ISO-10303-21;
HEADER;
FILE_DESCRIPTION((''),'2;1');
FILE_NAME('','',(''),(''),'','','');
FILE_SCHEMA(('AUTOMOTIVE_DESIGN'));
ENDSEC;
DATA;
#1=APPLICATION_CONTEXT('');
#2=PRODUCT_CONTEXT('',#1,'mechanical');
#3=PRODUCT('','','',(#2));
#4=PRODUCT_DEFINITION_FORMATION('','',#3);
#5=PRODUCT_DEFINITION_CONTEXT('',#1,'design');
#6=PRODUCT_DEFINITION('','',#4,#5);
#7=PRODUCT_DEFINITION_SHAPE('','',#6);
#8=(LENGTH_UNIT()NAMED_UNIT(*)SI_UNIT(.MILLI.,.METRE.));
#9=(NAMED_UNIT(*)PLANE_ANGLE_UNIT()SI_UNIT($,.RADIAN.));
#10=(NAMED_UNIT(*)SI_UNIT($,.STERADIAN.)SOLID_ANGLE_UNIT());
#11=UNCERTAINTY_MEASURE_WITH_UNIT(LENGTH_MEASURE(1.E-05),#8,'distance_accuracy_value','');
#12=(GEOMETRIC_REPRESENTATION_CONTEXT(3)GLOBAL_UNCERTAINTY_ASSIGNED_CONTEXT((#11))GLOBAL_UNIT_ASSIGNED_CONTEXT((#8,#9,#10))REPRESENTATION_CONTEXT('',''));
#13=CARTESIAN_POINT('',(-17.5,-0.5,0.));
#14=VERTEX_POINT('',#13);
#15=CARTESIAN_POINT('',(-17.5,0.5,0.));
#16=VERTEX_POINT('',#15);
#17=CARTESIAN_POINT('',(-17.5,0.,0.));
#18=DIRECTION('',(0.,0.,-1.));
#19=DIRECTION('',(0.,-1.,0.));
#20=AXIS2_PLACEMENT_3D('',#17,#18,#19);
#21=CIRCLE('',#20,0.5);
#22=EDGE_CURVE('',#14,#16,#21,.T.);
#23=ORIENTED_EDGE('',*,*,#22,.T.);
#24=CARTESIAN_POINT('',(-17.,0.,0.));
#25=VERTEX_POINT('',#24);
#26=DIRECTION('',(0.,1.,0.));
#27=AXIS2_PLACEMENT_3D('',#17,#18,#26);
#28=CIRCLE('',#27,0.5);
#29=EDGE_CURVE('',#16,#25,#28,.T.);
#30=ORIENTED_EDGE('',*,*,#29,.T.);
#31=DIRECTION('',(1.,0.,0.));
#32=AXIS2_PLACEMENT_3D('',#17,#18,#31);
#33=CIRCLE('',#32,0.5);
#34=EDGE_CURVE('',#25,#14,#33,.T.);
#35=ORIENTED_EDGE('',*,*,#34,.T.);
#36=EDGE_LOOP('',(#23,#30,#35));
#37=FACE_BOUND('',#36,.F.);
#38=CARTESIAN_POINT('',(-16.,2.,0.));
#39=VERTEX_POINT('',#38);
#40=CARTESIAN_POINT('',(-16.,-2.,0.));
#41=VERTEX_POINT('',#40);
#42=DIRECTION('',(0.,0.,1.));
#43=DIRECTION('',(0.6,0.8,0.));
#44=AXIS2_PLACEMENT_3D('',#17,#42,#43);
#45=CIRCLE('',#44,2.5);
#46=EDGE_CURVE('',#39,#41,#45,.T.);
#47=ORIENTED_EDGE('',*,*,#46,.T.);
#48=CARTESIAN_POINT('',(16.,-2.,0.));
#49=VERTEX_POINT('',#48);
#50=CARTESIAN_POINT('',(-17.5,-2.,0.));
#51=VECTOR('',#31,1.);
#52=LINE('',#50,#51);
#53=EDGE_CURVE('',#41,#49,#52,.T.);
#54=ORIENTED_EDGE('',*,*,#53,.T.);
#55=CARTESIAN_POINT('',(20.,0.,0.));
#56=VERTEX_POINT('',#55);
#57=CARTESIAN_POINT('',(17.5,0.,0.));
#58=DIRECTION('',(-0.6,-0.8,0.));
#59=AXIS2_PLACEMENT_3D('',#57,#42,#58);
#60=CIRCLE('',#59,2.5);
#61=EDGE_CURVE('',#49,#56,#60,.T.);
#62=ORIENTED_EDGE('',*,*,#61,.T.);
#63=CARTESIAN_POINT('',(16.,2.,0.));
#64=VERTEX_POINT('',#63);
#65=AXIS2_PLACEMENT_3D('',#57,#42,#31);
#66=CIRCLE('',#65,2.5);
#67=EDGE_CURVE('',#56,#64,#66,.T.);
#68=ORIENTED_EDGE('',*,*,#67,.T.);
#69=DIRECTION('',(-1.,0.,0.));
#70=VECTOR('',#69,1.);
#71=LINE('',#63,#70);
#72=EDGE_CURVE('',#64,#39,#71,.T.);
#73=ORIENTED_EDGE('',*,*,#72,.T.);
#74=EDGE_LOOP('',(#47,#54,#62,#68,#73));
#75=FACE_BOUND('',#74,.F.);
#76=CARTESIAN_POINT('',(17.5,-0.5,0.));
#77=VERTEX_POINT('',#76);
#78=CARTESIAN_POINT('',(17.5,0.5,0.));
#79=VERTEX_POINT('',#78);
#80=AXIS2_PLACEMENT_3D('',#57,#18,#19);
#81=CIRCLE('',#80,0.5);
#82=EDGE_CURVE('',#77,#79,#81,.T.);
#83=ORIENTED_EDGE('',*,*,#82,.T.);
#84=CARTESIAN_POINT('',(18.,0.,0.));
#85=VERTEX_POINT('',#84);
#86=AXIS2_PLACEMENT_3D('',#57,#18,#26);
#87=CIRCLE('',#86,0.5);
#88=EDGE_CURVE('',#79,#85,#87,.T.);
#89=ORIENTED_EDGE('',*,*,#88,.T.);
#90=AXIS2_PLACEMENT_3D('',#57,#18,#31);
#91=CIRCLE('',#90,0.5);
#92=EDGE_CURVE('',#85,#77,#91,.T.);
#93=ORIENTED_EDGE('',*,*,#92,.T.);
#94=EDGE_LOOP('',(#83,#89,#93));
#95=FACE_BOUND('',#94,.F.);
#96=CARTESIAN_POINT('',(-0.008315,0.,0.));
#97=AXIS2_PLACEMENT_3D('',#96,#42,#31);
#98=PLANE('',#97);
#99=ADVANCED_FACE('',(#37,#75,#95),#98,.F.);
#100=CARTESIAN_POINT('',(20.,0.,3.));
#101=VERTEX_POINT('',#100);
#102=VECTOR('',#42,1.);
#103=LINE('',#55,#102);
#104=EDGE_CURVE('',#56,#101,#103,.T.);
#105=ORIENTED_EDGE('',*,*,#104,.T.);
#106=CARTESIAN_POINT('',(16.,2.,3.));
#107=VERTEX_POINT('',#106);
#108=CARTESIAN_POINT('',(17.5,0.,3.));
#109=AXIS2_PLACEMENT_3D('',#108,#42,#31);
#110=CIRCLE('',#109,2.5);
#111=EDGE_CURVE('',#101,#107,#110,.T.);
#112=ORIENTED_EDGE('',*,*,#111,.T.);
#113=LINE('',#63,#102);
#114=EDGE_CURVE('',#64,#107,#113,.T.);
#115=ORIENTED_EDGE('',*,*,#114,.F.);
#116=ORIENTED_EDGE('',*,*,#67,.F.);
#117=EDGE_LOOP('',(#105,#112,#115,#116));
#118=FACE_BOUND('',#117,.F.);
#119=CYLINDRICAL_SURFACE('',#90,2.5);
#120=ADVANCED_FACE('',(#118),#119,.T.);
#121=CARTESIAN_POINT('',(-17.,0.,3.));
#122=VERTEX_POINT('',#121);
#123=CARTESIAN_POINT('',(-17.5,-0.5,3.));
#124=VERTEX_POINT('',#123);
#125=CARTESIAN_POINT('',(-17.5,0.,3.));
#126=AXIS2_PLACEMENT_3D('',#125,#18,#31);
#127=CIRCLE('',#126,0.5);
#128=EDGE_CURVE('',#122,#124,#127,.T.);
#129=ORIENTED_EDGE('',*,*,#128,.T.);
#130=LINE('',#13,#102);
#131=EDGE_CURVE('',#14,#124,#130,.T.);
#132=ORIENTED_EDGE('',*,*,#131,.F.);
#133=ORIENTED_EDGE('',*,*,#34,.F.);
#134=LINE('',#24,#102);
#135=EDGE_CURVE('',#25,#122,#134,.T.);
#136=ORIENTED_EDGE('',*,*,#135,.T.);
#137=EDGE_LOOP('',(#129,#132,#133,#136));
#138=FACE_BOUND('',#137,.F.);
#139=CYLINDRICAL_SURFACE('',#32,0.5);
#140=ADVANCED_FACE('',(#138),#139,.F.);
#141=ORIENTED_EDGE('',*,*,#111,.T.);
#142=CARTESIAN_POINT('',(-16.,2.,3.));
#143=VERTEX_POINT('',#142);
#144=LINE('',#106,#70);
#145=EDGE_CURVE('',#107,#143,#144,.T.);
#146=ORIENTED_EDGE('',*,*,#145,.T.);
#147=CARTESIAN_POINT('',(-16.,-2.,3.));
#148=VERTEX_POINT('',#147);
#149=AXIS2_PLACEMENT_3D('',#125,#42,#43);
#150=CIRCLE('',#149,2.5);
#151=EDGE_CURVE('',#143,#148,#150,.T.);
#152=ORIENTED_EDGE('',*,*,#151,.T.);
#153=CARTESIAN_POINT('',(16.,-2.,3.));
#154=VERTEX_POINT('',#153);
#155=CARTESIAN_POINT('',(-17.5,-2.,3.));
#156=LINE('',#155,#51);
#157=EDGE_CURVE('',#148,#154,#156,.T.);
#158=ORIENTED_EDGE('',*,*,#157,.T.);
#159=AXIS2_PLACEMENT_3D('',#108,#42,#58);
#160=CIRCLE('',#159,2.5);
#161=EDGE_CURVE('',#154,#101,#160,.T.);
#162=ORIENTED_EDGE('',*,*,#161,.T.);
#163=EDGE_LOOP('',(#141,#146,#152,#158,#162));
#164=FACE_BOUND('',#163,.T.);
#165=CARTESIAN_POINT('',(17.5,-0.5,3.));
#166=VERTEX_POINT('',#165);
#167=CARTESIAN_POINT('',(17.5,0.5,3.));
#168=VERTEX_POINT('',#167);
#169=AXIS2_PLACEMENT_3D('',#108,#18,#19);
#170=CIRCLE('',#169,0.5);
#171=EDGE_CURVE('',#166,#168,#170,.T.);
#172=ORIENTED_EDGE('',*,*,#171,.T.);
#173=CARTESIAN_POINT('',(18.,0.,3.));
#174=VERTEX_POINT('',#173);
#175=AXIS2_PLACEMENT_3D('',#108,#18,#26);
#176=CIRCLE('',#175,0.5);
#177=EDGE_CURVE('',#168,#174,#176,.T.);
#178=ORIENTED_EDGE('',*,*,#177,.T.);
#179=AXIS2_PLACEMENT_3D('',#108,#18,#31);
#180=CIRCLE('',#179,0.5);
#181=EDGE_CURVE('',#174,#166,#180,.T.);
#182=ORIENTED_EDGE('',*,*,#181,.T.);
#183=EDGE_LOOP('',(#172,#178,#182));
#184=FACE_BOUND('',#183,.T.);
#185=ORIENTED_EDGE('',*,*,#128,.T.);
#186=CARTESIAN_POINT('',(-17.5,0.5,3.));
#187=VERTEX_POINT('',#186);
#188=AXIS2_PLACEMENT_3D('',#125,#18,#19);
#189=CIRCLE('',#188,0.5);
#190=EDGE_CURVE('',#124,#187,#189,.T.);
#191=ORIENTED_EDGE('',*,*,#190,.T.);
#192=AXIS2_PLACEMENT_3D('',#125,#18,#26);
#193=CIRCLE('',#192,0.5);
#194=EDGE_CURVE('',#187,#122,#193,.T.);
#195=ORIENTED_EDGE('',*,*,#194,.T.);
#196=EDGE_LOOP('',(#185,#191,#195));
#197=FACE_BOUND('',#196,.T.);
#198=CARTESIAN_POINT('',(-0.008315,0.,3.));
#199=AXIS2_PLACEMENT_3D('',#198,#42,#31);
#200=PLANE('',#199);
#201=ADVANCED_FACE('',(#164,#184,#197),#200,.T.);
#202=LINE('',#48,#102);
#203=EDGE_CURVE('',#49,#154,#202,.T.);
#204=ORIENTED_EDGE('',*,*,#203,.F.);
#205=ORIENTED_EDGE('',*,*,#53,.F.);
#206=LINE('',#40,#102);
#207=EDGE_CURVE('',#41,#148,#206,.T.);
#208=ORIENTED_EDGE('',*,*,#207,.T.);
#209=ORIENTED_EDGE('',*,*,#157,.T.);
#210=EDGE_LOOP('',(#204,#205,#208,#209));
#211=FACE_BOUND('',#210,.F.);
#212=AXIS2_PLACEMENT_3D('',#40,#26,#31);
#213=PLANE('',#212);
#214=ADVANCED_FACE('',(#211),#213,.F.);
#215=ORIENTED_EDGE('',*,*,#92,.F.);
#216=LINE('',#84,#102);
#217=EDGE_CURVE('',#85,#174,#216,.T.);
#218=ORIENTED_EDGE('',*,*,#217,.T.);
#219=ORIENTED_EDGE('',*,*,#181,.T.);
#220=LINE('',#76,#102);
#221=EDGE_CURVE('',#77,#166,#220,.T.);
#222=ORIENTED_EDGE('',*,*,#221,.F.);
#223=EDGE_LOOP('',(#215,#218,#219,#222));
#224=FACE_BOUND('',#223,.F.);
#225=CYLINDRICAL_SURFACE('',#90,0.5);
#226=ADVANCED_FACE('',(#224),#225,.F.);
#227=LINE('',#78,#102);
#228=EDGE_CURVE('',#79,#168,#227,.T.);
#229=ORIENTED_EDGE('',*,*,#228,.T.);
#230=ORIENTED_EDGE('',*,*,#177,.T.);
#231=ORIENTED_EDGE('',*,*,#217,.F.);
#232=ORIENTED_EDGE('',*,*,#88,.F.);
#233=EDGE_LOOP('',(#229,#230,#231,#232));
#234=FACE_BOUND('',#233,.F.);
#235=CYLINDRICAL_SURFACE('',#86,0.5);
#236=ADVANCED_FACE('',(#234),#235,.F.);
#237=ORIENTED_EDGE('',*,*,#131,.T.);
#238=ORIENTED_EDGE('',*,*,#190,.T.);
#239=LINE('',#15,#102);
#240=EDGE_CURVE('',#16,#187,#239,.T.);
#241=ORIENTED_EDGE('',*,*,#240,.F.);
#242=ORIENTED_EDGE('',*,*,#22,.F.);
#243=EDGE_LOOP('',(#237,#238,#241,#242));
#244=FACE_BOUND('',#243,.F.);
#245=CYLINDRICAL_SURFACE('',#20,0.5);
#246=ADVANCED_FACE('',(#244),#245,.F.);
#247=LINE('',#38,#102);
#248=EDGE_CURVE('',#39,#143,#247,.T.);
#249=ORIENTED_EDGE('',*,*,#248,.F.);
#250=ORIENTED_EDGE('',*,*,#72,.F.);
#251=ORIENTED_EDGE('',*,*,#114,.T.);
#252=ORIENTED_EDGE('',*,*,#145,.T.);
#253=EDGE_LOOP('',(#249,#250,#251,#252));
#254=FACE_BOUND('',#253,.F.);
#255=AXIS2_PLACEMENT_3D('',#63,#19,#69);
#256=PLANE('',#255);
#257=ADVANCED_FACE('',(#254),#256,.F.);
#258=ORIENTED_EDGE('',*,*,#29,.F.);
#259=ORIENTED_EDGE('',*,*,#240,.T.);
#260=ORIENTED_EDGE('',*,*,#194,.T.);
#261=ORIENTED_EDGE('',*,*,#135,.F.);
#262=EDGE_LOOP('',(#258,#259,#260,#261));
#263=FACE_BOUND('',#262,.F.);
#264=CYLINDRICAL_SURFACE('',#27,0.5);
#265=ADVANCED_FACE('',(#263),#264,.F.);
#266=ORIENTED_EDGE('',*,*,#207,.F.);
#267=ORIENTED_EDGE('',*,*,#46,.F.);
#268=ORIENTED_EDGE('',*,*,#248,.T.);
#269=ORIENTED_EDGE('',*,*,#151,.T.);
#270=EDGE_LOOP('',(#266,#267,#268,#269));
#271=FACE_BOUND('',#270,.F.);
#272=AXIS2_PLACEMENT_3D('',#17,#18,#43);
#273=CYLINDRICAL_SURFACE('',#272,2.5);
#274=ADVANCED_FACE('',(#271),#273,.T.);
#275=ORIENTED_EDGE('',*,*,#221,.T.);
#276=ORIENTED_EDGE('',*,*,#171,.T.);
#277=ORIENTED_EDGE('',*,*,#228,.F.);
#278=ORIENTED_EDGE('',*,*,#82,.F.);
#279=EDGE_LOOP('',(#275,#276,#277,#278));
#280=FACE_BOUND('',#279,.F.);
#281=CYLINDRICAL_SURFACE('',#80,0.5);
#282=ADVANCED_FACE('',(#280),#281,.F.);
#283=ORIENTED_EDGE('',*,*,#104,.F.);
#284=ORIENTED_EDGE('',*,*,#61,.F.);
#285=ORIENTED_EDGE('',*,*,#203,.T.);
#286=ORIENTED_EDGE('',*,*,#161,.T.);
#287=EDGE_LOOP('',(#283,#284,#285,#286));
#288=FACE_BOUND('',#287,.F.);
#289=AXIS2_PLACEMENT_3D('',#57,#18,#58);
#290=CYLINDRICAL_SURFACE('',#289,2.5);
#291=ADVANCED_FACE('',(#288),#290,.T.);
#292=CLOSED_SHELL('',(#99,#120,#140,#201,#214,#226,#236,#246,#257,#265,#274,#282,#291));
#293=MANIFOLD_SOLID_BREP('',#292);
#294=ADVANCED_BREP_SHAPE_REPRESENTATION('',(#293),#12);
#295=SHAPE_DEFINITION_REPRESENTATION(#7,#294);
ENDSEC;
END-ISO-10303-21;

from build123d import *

# Parameters (mm, degrees)
F1_DEPTH = 3


with BuildPart() as f1:
    # F0 (on Top) → F1 (new body)
    with BuildSketch(Plane.XY):
        with BuildLine():
            Line((-16, -2), (16, -2))
            ThreePointArc((16, -2), (15, 0), (16, 2))
            Line((16, 2), (-16, 2))
            ThreePointArc((-16, 2), (-15.2639320225, 1.1180339887), (-15, 0))
            ThreePointArc((-15, 0), (-15.2639320225, -1.1180339887), (-16, -2))
        make_face()
        with BuildLine():
            Line((16, -2), (17.5, -2))
            Line((17.5, -2), (17.5, -0.5))
            ThreePointArc((17.5, -0.5), (17, 0), (17.5, 0.5))
            Line((17.5, 0.5), (17.5, 2))
            Line((17.5, 2), (16, 2))
            ThreePointArc((16, 2), (15, 0), (16, -2))
        make_face()
        with BuildLine():
            Line((17.5, -0.5), (17.5, -2))
            Line((17.5, -2), (16, -2))
            ThreePointArc((16, -2), (18.6180339887, -2.2360679775), (20, 0))
            ThreePointArc((20, 0), (18.6180339887, 2.2360679775), (16, 2))
            Line((16, 2), (17.5, 2))
            Line((17.5, 2), (17.5, 0.5))
            ThreePointArc((17.5, 0.5), (17.8535533906, 0.3535533906), (18, 0))
            ThreePointArc((18, 0), (17.8535533906, -0.3535533906), (17.5, -0.5))
        make_face()
        with BuildLine():
            Line((-17.5, -2), (-16, -2))
            ThreePointArc((-16, -2), (-15.2639320225, -1.1180339887), (-15, 0))
            ThreePointArc((-15, 0), (-15.2639320225, 1.1180339887), (-16, 2))
            Line((-16, 2), (-17.5, 2))
            Line((-17.5, 2), (-17.5, 0.5))
            ThreePointArc((-17.5, 0.5), (-17.1464466094, 0.3535533906), (-17, 0))
            ThreePointArc((-17, 0), (-17.1464466094, -0.3535533906), (-17.5, -0.5))
            Line((-17.5, -0.5), (-17.5, -2))
        make_face()
        with BuildLine():
            ThreePointArc((-16, 2), (-20, 0), (-16, -2))
            Line((-16, -2), (-17.5, -2))
            Line((-17.5, -2), (-17.5, -0.5))
            ThreePointArc((-17.5, -0.5), (-18, 0), (-17.5, 0.5))
            Line((-17.5, 0.5), (-17.5, 2))
            Line((-17.5, 2), (-16, 2))
        make_face()
    extrude(amount=F1_DEPTH)


solid = f1.part
